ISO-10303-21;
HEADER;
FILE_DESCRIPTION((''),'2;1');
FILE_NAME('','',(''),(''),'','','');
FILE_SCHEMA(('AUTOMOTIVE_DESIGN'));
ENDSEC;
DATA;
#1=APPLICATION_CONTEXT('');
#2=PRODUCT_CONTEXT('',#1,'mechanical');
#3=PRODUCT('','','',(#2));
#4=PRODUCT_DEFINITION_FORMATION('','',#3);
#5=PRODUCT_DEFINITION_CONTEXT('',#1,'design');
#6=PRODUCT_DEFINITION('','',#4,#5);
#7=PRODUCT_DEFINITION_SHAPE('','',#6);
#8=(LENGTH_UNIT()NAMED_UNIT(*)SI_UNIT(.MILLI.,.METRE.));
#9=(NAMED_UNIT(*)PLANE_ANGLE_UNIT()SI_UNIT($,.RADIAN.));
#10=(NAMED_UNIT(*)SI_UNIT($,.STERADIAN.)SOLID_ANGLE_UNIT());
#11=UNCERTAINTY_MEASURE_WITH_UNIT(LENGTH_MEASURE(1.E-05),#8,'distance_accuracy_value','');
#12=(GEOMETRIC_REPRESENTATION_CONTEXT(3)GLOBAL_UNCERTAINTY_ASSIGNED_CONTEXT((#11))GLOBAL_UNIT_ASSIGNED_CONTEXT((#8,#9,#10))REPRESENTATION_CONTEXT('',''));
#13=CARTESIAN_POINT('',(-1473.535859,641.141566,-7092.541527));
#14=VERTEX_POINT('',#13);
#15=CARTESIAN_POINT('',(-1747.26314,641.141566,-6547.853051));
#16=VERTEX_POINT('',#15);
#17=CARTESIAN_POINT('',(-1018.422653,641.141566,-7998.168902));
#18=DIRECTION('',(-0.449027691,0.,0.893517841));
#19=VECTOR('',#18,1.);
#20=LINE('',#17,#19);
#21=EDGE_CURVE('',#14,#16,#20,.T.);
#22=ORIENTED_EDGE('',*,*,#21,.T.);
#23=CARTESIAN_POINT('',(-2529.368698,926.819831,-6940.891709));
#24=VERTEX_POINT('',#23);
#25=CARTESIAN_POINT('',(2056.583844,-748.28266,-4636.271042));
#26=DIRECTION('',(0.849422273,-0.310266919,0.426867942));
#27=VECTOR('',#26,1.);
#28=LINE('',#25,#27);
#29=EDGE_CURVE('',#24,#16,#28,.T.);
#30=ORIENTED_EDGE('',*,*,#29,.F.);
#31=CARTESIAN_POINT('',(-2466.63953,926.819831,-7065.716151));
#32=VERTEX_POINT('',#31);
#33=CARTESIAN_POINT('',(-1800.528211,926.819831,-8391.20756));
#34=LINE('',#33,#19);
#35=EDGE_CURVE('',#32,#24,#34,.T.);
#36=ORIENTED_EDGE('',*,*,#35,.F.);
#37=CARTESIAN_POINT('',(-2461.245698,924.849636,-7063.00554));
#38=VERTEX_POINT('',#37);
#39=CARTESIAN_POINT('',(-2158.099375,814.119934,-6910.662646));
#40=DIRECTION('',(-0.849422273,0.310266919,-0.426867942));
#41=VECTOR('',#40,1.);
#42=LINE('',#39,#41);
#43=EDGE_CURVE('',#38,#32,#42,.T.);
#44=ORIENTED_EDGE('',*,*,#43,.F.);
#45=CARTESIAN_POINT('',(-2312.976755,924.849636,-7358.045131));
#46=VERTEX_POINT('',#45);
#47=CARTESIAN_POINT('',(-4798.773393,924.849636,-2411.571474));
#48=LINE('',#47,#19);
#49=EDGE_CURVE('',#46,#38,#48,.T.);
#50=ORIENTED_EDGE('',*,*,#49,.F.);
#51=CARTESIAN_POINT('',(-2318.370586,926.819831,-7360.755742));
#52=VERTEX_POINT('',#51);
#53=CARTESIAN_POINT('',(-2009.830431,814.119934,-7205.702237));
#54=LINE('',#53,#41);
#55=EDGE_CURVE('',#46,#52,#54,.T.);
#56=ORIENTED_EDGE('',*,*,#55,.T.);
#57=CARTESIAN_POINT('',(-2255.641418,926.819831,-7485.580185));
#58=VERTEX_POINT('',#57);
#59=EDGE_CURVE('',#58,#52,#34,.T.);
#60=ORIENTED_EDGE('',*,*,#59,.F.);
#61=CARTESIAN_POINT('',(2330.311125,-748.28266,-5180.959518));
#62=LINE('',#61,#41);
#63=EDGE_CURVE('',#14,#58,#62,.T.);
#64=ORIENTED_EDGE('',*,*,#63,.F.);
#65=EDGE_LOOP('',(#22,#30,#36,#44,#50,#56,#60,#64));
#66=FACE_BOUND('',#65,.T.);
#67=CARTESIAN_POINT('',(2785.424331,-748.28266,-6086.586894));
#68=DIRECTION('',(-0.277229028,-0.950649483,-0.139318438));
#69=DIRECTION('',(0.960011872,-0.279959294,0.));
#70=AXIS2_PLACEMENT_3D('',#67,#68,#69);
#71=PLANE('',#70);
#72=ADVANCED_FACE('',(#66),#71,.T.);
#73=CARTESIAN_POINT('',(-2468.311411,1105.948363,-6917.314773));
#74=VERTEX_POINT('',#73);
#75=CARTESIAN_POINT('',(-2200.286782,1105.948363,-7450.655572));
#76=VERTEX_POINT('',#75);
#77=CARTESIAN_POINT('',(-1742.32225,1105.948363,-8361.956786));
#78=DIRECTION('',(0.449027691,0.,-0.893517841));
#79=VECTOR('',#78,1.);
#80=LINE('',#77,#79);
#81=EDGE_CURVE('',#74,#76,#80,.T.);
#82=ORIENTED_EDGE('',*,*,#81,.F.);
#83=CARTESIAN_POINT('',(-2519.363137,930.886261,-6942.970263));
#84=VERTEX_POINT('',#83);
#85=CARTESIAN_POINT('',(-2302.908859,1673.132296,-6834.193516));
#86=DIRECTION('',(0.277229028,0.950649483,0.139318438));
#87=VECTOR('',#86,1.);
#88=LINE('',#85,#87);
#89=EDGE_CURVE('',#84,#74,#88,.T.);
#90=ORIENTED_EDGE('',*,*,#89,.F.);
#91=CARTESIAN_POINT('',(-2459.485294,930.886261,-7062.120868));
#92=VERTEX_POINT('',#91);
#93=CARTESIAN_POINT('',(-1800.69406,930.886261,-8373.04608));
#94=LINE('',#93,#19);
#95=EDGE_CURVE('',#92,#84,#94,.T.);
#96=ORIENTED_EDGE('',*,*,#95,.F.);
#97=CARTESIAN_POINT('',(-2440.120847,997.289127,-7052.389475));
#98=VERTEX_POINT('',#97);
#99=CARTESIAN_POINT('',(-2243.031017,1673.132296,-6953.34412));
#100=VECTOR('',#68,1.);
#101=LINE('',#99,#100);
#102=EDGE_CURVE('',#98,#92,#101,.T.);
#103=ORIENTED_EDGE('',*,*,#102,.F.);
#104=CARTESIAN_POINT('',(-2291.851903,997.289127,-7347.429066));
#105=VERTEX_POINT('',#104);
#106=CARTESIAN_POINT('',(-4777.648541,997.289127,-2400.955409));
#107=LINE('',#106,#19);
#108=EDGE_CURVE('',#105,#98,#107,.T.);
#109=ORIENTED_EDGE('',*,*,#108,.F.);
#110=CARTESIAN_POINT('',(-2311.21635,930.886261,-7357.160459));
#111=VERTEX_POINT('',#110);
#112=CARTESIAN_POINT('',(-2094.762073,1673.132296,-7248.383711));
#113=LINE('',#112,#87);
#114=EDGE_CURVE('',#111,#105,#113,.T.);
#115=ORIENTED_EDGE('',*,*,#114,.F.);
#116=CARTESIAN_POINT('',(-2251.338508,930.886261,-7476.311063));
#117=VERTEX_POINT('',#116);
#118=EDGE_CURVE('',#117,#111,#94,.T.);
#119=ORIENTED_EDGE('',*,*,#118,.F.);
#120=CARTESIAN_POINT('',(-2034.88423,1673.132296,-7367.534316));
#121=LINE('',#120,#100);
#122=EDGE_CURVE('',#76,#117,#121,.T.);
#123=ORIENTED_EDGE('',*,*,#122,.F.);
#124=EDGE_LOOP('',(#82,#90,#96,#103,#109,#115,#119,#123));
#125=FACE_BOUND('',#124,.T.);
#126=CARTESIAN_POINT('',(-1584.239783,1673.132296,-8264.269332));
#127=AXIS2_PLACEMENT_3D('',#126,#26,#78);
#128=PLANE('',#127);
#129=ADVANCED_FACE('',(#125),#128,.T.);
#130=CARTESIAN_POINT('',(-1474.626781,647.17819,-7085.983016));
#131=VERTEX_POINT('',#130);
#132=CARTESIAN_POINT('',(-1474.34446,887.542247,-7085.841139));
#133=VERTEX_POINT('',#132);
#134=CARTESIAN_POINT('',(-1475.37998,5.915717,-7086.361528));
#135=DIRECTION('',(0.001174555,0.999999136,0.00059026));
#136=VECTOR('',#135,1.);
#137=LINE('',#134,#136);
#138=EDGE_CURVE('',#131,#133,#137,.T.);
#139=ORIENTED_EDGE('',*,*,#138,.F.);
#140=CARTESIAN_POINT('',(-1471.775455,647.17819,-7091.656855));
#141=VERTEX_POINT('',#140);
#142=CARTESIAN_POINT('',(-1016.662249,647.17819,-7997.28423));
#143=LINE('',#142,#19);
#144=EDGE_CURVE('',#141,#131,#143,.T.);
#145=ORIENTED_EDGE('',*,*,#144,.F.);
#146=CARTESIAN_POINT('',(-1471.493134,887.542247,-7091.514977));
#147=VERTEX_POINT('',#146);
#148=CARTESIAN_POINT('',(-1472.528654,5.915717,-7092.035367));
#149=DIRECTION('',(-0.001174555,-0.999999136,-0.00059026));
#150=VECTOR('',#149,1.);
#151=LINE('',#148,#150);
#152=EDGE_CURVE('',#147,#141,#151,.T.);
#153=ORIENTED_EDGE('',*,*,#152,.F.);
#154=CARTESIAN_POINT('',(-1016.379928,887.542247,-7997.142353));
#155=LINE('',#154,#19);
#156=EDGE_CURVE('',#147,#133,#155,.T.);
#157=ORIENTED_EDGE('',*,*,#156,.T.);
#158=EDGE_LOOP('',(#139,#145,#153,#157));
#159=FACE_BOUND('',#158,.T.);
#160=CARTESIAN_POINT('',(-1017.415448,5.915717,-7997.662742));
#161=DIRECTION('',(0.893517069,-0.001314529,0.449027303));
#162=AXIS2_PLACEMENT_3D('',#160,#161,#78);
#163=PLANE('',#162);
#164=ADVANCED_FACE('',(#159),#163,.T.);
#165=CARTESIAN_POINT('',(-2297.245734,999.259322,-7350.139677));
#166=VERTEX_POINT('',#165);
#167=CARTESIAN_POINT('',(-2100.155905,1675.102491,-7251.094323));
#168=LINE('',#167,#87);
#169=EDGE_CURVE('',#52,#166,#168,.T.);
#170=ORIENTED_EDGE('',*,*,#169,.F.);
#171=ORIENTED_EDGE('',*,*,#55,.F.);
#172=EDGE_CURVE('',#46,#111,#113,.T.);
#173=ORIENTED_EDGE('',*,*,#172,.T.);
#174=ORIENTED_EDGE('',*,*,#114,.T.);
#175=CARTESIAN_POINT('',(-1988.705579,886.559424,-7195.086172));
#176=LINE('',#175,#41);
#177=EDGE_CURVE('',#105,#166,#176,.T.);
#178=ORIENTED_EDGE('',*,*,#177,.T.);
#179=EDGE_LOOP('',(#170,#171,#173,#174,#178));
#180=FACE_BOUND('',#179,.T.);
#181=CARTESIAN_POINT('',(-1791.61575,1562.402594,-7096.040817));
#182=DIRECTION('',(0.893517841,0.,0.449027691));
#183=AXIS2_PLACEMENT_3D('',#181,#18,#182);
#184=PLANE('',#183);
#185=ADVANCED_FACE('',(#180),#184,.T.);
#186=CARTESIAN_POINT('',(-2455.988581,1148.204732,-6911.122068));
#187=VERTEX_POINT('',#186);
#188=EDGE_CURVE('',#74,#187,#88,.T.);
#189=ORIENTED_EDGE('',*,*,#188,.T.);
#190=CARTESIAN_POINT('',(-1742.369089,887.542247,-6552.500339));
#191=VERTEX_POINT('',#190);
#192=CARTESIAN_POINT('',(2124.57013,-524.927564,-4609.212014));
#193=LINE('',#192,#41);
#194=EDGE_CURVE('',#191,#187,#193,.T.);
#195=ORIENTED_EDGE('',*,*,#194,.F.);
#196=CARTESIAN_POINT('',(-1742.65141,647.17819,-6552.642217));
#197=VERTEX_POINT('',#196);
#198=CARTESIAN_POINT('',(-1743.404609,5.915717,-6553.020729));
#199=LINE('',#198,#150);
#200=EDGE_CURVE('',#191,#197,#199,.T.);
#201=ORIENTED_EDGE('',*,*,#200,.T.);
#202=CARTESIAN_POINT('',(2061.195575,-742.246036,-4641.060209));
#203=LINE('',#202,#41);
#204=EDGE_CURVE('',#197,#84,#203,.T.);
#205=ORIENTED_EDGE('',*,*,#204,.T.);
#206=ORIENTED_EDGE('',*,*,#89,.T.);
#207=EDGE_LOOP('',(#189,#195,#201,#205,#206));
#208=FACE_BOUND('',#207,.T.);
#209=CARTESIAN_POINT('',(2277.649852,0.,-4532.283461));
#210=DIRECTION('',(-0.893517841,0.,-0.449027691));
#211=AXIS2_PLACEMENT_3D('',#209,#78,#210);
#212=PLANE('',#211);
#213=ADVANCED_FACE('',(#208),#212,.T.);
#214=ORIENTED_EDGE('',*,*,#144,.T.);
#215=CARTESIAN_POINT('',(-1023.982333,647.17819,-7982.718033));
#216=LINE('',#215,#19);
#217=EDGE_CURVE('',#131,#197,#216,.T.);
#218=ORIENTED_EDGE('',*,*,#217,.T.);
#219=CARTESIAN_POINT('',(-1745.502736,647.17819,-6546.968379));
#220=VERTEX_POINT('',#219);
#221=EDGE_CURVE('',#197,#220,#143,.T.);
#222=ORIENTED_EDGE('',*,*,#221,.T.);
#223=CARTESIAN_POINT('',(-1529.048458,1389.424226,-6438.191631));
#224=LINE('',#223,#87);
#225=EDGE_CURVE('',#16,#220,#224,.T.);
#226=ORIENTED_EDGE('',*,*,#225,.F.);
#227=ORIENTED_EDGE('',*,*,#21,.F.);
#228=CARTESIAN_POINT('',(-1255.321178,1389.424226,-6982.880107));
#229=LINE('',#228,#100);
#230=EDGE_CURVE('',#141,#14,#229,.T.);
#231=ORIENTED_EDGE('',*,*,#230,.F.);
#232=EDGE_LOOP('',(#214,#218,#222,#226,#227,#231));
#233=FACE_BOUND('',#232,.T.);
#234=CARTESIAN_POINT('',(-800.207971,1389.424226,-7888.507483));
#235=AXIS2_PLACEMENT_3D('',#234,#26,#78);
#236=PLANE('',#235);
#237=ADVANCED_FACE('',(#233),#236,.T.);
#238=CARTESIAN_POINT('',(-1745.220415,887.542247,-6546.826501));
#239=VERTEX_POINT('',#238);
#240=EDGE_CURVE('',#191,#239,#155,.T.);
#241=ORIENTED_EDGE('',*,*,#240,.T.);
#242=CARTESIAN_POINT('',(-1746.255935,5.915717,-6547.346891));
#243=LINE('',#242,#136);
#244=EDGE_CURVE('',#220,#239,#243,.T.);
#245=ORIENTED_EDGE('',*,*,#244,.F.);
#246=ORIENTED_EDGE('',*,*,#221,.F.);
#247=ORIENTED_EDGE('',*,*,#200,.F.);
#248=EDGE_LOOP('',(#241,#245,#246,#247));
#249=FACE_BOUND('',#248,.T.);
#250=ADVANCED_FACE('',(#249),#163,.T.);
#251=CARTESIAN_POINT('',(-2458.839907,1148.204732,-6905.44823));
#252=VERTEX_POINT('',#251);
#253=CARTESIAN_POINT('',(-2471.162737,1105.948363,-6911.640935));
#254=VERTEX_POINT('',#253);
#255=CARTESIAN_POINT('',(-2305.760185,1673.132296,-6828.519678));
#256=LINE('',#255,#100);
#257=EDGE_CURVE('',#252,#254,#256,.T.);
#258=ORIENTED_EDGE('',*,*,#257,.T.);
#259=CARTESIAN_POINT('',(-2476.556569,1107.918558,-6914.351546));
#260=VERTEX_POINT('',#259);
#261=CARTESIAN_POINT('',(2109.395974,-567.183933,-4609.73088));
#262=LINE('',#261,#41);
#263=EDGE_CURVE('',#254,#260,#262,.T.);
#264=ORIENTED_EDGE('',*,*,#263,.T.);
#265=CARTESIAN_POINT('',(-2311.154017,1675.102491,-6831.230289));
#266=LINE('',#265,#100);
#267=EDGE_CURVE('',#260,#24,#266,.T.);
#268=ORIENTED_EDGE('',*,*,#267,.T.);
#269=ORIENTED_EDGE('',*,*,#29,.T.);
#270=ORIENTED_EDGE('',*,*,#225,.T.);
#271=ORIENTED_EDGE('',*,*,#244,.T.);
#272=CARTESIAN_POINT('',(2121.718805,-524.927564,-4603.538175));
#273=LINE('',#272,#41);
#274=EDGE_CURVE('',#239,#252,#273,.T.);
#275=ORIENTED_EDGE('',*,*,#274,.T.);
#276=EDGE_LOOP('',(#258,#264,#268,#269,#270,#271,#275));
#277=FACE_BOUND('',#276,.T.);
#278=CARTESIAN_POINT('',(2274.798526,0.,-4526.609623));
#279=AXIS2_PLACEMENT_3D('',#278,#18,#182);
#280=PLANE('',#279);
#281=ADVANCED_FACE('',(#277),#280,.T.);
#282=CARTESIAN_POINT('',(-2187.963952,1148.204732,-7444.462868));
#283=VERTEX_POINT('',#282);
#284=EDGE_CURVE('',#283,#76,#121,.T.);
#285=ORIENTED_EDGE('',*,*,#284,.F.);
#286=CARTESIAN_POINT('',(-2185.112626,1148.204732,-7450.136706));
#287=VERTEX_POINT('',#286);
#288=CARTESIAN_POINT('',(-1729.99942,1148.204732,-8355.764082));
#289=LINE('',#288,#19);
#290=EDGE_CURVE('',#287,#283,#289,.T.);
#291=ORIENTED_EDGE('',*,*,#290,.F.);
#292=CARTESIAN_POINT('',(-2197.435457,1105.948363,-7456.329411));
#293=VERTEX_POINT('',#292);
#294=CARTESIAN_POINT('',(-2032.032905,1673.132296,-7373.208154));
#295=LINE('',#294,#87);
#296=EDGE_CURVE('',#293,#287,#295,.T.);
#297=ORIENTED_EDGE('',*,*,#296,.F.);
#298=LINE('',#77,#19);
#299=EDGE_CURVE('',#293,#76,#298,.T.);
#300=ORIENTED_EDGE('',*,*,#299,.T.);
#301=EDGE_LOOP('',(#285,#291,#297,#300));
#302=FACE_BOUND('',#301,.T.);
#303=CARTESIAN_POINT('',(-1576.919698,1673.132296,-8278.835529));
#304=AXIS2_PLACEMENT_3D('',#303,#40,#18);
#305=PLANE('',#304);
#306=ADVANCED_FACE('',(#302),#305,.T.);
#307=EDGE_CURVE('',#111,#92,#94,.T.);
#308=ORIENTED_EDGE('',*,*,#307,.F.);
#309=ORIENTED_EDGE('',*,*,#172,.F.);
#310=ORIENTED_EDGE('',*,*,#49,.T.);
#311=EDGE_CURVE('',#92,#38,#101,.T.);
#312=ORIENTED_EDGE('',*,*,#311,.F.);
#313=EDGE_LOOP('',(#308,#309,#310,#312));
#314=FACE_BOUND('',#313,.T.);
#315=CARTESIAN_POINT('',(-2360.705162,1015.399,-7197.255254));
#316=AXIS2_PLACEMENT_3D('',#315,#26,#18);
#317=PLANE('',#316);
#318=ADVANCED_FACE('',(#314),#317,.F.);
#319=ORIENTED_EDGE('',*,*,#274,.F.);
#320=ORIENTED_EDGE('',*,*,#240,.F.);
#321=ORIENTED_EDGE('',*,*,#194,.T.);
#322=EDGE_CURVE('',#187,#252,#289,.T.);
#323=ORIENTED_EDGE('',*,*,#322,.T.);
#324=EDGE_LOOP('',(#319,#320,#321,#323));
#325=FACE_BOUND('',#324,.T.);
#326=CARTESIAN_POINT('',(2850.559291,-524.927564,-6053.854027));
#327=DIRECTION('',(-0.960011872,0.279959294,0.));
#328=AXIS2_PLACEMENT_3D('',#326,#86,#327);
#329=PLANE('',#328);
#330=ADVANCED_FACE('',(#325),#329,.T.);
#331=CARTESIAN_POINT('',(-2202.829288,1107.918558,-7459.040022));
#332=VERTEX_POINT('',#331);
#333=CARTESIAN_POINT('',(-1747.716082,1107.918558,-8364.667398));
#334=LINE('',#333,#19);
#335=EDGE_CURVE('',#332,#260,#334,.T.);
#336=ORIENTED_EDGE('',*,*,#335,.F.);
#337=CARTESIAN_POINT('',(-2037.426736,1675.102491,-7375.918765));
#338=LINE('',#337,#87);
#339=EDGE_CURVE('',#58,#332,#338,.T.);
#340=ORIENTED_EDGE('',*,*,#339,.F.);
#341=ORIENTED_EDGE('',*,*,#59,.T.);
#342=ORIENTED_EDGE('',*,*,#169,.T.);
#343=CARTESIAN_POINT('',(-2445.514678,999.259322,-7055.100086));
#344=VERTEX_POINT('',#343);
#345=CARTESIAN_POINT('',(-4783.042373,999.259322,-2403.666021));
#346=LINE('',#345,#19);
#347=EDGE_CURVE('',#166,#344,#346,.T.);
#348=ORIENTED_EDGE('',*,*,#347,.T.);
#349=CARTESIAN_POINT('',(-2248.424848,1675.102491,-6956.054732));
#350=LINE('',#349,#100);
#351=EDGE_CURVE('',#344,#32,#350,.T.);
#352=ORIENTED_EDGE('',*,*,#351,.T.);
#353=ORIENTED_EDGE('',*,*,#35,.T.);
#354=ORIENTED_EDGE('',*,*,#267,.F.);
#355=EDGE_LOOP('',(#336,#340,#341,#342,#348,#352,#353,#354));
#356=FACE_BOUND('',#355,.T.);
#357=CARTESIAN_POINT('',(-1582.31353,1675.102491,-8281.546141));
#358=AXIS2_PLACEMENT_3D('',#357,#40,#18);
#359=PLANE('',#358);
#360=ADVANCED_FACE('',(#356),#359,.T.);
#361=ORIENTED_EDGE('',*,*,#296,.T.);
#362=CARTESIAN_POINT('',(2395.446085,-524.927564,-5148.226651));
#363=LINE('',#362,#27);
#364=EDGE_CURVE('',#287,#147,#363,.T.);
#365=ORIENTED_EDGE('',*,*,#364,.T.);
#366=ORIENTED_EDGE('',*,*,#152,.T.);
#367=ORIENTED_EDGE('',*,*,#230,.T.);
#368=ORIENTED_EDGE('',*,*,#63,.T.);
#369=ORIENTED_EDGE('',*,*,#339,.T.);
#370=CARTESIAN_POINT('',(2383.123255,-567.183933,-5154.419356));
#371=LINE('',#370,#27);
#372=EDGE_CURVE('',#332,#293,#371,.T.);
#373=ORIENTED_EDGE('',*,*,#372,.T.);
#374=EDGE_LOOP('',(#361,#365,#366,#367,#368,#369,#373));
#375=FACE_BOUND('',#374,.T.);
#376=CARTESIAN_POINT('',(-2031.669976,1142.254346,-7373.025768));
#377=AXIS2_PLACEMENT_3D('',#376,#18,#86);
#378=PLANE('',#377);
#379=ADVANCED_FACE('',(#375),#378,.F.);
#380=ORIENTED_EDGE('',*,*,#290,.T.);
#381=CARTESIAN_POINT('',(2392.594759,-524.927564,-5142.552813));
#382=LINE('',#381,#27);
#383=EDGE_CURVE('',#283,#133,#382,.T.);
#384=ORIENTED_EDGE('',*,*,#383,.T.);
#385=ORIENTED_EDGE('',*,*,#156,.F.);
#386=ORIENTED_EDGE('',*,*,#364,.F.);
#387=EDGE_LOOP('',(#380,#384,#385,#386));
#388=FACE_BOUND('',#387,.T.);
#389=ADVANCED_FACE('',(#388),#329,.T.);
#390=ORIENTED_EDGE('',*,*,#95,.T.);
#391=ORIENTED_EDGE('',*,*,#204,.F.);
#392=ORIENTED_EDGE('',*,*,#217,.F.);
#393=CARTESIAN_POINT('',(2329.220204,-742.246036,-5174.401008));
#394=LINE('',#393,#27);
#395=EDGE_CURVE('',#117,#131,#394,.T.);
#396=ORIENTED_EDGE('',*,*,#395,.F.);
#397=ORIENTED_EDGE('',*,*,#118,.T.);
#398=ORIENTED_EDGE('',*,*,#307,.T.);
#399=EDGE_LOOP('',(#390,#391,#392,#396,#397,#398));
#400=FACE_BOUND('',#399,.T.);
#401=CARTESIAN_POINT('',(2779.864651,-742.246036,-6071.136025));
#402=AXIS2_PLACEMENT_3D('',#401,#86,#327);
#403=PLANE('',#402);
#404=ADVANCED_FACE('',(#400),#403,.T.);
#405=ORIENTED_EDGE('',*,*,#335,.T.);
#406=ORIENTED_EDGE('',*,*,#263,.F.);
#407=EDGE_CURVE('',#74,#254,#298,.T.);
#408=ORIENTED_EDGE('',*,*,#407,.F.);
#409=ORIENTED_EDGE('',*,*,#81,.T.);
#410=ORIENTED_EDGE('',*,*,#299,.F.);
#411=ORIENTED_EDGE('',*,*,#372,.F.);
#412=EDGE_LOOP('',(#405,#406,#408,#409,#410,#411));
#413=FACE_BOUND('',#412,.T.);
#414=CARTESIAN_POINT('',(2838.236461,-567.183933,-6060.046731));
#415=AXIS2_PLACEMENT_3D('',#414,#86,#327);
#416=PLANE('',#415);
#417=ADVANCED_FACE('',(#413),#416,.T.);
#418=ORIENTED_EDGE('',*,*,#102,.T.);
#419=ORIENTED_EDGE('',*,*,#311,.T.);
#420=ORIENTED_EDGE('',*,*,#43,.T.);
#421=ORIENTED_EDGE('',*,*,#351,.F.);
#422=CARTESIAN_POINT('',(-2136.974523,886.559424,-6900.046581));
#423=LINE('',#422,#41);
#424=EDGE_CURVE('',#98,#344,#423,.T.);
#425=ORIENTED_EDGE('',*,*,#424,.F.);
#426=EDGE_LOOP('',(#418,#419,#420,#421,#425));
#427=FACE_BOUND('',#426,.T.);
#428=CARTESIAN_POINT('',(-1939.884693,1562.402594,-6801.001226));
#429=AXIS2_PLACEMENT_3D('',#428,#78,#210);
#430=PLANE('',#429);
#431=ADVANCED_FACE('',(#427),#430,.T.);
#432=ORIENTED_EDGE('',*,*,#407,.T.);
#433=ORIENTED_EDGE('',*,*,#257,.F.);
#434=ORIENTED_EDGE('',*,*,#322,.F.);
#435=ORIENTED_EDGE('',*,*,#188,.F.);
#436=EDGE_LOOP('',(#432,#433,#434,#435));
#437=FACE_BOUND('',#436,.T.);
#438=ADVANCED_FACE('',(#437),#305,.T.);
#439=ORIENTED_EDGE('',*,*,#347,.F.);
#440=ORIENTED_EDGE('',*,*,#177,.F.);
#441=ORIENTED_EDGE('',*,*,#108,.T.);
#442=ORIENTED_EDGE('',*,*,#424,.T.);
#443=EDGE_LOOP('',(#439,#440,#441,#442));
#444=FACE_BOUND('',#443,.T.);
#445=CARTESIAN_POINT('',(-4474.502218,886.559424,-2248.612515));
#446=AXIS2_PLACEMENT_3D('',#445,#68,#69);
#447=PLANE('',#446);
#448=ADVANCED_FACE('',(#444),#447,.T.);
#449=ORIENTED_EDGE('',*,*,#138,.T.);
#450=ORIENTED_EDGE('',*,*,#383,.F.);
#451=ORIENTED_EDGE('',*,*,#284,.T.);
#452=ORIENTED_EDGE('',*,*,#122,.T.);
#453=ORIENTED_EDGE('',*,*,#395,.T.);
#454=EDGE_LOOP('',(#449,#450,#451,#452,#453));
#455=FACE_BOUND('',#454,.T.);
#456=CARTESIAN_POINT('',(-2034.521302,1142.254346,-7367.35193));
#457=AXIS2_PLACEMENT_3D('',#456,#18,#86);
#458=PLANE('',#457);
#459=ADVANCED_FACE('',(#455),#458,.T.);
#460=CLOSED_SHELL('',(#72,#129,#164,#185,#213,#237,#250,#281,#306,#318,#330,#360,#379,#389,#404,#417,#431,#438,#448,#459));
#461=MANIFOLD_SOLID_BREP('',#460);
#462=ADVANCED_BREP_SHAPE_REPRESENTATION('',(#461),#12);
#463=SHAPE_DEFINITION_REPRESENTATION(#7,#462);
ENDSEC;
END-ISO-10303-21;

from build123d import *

# Parameters (mm, degrees)
BOSS_EXTRUDE1_DEPTH = 609.6
CUT_EXTRUDE1_DEPTH  = 596.9
CUT_EXTRUDE2_START  = -6.35
CUT_EXTRUDE2_DEPTH  = 6.35


with BuildPart() as part:
    # Sketch1 → Boss-Extrude1 (new body)
    with BuildSketch(Plane(origin=(2274.798526179, 0, -4526.609622936), x_dir=(0.8935178411679832, 0, 0.44902769125579206), z_dir=(-0.44902769125579206, 0, 0.8935178411679832))):
        Polygon((-4499.407931927, 647.178189885), (-4499.091966051, 887.542246672), (-5297.754801193, 1148.204732428), (-5311.546165746, 1105.948362922), (-5317.582789961, 1107.918557858), (-5376.688638045, 926.819831407), (-4501.378126863, 641.14156567), align=None)
    extrude(amount=-BOSS_EXTRUDE1_DEPTH)

    # Sketch2 → Cut-Extrude1 (cut)
    with BuildSketch(Plane(origin=(2277.649852018, 0, -4532.283461227), x_dir=(-0.8935178411679832, 0, -0.44902769125579206), z_dir=(0.44902769125579206, 0, -0.8935178411679832))):
        Polygon((5297.754801193, 1148.204732428), (4977.813717796, 1043.784400813), (4499.091966051, 887.542246672), (4499.407931927, 647.178189885), (5368.681818894, 930.886260686), align=None)
    extrude(amount=CUT_EXTRUDE1_DEPTH, mode=Mode.SUBTRACT)

    # Sketch3 → Cut-Extrude2 (cut)
    with BuildSketch(Plane(origin=(-4585.952542808, 1675.102491314, -2304.620666347), x_dir=(-0.40095713367550895, 0.14645687831706847, 0.9043139718860588), z_dir=(-0.8494222734757242, 0.31026691907399934, -0.4268679424033393)).offset(CUT_EXTRUDE2_START)):
        Polygon((-5579.388539548, 150.427587067), (-5591.127897041, 75.137298944), (-5264.869981841, 24.266749807), (-5253.130624348, 99.55703793), align=None)
    extrude(amount=CUT_EXTRUDE2_DEPTH, mode=Mode.SUBTRACT)


solid = part.part
